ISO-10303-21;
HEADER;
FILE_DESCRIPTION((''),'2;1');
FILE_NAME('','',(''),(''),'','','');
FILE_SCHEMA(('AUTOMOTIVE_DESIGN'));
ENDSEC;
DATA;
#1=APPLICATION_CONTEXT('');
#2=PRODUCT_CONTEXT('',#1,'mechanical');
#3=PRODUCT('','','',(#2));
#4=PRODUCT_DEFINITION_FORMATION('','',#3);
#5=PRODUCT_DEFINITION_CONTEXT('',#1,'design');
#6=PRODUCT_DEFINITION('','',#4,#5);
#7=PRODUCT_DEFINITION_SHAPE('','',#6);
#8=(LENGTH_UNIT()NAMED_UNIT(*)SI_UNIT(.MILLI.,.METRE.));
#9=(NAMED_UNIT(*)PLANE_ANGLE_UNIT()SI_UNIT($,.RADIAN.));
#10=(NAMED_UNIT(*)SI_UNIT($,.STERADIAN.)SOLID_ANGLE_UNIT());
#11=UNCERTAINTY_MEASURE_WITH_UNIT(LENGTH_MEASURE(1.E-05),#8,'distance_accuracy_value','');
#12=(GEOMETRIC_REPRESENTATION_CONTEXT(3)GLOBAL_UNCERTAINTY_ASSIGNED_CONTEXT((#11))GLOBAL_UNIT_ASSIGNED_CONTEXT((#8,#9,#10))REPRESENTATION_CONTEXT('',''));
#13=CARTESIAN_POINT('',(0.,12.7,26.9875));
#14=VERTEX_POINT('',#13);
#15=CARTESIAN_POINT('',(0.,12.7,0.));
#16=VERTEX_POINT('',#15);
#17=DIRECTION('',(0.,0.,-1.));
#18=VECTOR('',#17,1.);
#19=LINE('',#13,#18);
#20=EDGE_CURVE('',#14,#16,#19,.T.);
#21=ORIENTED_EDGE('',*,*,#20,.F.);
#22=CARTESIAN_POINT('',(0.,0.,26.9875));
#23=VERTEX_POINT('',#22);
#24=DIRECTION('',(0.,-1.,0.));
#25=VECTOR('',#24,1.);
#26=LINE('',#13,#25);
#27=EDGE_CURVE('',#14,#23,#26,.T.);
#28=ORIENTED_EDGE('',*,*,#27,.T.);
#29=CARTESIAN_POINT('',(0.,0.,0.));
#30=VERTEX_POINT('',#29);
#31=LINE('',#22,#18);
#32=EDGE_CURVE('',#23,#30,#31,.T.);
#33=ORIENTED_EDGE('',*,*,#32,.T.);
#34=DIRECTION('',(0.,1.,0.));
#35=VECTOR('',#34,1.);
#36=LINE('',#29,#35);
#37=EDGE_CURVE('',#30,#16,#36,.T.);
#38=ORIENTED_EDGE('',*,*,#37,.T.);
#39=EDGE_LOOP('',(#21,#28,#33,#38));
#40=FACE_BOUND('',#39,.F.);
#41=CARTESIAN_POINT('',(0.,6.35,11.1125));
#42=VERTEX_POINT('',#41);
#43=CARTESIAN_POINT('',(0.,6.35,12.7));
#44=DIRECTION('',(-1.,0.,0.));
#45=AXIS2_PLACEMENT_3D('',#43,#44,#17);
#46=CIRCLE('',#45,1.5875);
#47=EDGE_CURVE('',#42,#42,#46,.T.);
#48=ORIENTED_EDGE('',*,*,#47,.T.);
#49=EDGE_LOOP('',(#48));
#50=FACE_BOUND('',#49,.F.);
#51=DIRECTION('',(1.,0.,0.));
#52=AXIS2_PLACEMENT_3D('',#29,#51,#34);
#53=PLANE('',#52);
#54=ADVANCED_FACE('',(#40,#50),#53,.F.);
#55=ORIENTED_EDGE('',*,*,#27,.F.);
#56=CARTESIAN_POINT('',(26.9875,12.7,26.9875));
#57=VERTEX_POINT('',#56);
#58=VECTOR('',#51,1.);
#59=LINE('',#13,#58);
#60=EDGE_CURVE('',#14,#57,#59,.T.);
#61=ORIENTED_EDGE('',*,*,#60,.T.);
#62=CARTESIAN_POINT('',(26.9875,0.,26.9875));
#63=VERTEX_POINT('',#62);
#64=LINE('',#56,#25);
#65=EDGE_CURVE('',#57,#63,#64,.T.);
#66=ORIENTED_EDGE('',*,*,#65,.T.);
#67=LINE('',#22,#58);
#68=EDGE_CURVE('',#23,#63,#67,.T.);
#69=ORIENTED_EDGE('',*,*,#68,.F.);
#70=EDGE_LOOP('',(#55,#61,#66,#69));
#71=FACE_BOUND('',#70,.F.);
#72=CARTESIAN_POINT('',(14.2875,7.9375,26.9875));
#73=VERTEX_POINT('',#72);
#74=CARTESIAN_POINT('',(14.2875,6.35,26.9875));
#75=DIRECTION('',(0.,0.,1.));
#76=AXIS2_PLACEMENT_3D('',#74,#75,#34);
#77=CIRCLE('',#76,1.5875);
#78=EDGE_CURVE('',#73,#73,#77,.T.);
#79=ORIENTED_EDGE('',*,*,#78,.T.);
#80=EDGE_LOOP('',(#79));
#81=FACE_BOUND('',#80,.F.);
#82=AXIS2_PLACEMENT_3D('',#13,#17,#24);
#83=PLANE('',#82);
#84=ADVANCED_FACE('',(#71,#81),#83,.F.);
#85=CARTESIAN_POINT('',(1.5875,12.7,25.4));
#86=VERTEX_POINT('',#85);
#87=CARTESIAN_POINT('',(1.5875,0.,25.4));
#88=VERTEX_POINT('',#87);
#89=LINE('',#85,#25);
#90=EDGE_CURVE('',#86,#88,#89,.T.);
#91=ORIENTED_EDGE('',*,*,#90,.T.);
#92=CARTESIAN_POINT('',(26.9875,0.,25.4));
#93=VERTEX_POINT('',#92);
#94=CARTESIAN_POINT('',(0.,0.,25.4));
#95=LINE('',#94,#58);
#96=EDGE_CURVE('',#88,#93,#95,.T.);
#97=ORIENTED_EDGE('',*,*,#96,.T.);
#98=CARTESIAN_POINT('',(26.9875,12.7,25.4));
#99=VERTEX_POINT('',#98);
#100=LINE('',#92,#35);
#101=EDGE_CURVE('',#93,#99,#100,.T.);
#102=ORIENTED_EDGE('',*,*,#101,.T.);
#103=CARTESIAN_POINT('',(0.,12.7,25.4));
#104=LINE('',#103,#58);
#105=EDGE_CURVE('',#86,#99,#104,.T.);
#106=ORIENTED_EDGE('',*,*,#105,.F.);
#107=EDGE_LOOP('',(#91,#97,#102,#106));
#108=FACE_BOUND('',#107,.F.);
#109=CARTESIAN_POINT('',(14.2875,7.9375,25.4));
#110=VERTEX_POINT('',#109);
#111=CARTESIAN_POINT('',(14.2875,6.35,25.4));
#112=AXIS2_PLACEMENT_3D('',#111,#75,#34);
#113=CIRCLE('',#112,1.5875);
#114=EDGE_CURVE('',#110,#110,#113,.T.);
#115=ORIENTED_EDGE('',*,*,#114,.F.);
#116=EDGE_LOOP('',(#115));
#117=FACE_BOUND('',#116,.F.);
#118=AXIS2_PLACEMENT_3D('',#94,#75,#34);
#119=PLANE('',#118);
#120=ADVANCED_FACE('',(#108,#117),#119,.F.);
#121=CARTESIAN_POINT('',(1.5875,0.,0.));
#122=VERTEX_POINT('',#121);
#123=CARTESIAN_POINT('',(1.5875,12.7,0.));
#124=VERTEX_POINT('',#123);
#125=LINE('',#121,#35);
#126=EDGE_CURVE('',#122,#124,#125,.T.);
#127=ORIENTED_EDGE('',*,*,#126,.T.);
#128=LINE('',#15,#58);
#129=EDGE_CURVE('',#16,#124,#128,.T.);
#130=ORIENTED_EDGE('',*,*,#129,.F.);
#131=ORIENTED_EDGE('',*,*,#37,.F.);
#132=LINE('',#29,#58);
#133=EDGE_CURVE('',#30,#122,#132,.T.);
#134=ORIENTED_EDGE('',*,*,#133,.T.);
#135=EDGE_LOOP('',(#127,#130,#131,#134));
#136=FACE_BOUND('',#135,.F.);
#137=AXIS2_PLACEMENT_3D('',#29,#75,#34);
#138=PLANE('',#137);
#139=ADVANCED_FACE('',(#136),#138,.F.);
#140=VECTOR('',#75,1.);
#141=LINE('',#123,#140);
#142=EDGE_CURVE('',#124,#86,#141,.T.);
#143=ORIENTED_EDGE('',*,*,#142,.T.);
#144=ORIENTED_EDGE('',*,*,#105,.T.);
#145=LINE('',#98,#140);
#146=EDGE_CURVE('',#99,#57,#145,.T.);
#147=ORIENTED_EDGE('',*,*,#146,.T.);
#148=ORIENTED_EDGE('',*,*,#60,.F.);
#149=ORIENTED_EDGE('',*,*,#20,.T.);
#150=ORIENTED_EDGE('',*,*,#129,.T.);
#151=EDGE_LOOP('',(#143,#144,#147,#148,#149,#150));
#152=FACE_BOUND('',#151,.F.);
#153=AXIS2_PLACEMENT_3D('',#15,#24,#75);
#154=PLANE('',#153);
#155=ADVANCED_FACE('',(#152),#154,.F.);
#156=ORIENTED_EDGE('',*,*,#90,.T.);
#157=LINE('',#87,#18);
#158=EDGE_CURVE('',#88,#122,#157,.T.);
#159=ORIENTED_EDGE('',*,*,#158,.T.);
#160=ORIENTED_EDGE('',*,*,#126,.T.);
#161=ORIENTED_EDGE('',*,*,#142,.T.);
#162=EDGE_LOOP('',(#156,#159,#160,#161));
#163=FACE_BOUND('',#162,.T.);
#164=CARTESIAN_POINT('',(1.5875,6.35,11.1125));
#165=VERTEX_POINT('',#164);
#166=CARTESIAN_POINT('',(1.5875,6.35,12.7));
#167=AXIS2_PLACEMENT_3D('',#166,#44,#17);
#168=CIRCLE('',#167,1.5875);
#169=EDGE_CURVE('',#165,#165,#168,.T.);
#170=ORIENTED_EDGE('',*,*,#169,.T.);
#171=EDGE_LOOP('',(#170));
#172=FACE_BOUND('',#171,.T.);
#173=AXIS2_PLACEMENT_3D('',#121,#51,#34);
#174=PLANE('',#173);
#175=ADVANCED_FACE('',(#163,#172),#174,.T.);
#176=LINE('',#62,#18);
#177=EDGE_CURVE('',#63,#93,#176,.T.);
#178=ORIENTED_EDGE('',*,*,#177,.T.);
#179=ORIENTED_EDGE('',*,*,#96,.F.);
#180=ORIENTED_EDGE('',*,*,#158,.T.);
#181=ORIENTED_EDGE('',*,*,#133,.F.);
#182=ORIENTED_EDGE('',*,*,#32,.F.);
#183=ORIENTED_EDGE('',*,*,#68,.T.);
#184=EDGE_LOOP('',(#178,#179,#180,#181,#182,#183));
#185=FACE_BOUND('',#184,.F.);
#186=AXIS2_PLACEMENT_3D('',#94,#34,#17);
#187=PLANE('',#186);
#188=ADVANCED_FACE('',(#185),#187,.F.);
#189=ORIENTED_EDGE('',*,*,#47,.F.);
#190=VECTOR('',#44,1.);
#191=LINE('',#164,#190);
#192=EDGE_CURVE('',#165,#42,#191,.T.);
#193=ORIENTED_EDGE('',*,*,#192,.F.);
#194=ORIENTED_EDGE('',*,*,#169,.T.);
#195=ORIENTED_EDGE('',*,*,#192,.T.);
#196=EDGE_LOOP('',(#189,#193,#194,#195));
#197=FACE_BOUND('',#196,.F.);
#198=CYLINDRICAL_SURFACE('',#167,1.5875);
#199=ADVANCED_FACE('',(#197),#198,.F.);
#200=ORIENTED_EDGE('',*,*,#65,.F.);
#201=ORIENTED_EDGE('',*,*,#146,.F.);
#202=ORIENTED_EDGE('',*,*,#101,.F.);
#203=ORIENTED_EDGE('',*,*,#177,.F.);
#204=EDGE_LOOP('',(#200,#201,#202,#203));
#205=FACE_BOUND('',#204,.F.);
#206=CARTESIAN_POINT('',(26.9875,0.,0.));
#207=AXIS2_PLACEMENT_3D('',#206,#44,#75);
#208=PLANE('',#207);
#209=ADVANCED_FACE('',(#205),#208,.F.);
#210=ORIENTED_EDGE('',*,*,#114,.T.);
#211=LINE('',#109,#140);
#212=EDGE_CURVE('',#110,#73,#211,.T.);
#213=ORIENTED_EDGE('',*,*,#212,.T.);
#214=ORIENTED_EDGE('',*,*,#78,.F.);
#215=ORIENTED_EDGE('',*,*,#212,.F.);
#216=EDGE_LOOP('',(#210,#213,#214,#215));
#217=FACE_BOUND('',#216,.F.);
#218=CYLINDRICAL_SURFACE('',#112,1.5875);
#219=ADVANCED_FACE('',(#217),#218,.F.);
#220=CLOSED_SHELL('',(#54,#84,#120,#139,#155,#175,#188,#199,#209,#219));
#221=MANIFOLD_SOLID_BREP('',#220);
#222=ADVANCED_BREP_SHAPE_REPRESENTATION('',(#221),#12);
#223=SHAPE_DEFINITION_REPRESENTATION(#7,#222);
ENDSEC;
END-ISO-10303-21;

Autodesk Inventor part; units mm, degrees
ref_plane "YZ Plane" through (0, 0, 0) normal (1, 0, 0) x (0, 1, 0)
ref_plane "XZ Plane" through (0, 0, 0) normal (0, 1, 0) x (-1, 0, 0)
ref_plane "XY Plane" through (0, 0, 0) normal (0, 0, 1) x (1, 0, 0)
sketch "Sketch1" plane through (0, 0, 0) normal (1, 0, 0) x (0, 1, 0)
  line L0 (0, 0) -> (12.7, 0)
  line L1 (12.7, 0) -> (12.7, 25.4)
  line L2 (12.7, 25.4) -> (0, 25.4)
  line L3 (0, 25.4) -> (0, 0)
  dimension "d0" = 25.4
  dimension "d1" = 12.7
extrude "Extrusion1" add sketch "Sketch1" along normal blind 1.5875
sketch "Sketch2" plane through (1.5875, 0, 0) normal (1, 0, 0) x (0, 0, -1)
  line L0 (0, 0) -> (0, 12.7) projected
  line L1 (0, 12.7) -> (-25.4, 12.7) projected
  line L2 (-25.4, 12.7) -> (-25.4, 0) projected
  line L3 (-25.4, 0) -> (0, 0) projected
sketch "Sketch3" plane through (0, 0, 0) normal (-1, 0, 0) x (0, 0, 1)
  line L0 (25.4, 12.7) -> (26.9875, 12.7)
  line L1 (26.9875, 12.7) -> (26.9875, 0)
  line L2 (26.9875, 0) -> (25.4, 0)
  line L3 (25.4, 0) -> (25.4, 12.7)
  dimension "d4" = 1.5875
extrude "Extrusion2" add sketch "Sketch3" against normal blind 26.9875
sketch "Sketch4" plane through (1.5875, 0, 0) normal (1, 0, 0) x (0, 0, -1)
  line L0 (0, 0) -> (0, 12.7) projected
  line L1 (-25.4, 0) -> (0, 0) projected
  point P0 (-12.7, 6.35)
  dimension "d8" = 6.35
  dimension "d9" = 12.7
sketch "Sketch5" plane through (26.9875, 12.7, 25.4) normal (0, 0, -1) x (-1, 0, 0)
  line L0 (0, -12.7) -> (0, 0) projected
  line L1 (25.4, -12.7) -> (0, -12.7) projected
  point P0 (26.9875, -12.7)
  point P1 (12.7, -6.35)
  dimension "d10" = 6.35
  dimension "d11" = 12.7
hole "Hole1" at (14.2875, 6.35, 25.4) direction (0, 0, 1) diameter 3.175 depth 25.4 tip angle 118
hole "Hole2" at (1.5875, 6.35, 12.7) direction (-1, 0, 0) diameter 3.175 depth 25.4 tip angle 118
properties part number "SideSupport" material "Aluminum 6061"
